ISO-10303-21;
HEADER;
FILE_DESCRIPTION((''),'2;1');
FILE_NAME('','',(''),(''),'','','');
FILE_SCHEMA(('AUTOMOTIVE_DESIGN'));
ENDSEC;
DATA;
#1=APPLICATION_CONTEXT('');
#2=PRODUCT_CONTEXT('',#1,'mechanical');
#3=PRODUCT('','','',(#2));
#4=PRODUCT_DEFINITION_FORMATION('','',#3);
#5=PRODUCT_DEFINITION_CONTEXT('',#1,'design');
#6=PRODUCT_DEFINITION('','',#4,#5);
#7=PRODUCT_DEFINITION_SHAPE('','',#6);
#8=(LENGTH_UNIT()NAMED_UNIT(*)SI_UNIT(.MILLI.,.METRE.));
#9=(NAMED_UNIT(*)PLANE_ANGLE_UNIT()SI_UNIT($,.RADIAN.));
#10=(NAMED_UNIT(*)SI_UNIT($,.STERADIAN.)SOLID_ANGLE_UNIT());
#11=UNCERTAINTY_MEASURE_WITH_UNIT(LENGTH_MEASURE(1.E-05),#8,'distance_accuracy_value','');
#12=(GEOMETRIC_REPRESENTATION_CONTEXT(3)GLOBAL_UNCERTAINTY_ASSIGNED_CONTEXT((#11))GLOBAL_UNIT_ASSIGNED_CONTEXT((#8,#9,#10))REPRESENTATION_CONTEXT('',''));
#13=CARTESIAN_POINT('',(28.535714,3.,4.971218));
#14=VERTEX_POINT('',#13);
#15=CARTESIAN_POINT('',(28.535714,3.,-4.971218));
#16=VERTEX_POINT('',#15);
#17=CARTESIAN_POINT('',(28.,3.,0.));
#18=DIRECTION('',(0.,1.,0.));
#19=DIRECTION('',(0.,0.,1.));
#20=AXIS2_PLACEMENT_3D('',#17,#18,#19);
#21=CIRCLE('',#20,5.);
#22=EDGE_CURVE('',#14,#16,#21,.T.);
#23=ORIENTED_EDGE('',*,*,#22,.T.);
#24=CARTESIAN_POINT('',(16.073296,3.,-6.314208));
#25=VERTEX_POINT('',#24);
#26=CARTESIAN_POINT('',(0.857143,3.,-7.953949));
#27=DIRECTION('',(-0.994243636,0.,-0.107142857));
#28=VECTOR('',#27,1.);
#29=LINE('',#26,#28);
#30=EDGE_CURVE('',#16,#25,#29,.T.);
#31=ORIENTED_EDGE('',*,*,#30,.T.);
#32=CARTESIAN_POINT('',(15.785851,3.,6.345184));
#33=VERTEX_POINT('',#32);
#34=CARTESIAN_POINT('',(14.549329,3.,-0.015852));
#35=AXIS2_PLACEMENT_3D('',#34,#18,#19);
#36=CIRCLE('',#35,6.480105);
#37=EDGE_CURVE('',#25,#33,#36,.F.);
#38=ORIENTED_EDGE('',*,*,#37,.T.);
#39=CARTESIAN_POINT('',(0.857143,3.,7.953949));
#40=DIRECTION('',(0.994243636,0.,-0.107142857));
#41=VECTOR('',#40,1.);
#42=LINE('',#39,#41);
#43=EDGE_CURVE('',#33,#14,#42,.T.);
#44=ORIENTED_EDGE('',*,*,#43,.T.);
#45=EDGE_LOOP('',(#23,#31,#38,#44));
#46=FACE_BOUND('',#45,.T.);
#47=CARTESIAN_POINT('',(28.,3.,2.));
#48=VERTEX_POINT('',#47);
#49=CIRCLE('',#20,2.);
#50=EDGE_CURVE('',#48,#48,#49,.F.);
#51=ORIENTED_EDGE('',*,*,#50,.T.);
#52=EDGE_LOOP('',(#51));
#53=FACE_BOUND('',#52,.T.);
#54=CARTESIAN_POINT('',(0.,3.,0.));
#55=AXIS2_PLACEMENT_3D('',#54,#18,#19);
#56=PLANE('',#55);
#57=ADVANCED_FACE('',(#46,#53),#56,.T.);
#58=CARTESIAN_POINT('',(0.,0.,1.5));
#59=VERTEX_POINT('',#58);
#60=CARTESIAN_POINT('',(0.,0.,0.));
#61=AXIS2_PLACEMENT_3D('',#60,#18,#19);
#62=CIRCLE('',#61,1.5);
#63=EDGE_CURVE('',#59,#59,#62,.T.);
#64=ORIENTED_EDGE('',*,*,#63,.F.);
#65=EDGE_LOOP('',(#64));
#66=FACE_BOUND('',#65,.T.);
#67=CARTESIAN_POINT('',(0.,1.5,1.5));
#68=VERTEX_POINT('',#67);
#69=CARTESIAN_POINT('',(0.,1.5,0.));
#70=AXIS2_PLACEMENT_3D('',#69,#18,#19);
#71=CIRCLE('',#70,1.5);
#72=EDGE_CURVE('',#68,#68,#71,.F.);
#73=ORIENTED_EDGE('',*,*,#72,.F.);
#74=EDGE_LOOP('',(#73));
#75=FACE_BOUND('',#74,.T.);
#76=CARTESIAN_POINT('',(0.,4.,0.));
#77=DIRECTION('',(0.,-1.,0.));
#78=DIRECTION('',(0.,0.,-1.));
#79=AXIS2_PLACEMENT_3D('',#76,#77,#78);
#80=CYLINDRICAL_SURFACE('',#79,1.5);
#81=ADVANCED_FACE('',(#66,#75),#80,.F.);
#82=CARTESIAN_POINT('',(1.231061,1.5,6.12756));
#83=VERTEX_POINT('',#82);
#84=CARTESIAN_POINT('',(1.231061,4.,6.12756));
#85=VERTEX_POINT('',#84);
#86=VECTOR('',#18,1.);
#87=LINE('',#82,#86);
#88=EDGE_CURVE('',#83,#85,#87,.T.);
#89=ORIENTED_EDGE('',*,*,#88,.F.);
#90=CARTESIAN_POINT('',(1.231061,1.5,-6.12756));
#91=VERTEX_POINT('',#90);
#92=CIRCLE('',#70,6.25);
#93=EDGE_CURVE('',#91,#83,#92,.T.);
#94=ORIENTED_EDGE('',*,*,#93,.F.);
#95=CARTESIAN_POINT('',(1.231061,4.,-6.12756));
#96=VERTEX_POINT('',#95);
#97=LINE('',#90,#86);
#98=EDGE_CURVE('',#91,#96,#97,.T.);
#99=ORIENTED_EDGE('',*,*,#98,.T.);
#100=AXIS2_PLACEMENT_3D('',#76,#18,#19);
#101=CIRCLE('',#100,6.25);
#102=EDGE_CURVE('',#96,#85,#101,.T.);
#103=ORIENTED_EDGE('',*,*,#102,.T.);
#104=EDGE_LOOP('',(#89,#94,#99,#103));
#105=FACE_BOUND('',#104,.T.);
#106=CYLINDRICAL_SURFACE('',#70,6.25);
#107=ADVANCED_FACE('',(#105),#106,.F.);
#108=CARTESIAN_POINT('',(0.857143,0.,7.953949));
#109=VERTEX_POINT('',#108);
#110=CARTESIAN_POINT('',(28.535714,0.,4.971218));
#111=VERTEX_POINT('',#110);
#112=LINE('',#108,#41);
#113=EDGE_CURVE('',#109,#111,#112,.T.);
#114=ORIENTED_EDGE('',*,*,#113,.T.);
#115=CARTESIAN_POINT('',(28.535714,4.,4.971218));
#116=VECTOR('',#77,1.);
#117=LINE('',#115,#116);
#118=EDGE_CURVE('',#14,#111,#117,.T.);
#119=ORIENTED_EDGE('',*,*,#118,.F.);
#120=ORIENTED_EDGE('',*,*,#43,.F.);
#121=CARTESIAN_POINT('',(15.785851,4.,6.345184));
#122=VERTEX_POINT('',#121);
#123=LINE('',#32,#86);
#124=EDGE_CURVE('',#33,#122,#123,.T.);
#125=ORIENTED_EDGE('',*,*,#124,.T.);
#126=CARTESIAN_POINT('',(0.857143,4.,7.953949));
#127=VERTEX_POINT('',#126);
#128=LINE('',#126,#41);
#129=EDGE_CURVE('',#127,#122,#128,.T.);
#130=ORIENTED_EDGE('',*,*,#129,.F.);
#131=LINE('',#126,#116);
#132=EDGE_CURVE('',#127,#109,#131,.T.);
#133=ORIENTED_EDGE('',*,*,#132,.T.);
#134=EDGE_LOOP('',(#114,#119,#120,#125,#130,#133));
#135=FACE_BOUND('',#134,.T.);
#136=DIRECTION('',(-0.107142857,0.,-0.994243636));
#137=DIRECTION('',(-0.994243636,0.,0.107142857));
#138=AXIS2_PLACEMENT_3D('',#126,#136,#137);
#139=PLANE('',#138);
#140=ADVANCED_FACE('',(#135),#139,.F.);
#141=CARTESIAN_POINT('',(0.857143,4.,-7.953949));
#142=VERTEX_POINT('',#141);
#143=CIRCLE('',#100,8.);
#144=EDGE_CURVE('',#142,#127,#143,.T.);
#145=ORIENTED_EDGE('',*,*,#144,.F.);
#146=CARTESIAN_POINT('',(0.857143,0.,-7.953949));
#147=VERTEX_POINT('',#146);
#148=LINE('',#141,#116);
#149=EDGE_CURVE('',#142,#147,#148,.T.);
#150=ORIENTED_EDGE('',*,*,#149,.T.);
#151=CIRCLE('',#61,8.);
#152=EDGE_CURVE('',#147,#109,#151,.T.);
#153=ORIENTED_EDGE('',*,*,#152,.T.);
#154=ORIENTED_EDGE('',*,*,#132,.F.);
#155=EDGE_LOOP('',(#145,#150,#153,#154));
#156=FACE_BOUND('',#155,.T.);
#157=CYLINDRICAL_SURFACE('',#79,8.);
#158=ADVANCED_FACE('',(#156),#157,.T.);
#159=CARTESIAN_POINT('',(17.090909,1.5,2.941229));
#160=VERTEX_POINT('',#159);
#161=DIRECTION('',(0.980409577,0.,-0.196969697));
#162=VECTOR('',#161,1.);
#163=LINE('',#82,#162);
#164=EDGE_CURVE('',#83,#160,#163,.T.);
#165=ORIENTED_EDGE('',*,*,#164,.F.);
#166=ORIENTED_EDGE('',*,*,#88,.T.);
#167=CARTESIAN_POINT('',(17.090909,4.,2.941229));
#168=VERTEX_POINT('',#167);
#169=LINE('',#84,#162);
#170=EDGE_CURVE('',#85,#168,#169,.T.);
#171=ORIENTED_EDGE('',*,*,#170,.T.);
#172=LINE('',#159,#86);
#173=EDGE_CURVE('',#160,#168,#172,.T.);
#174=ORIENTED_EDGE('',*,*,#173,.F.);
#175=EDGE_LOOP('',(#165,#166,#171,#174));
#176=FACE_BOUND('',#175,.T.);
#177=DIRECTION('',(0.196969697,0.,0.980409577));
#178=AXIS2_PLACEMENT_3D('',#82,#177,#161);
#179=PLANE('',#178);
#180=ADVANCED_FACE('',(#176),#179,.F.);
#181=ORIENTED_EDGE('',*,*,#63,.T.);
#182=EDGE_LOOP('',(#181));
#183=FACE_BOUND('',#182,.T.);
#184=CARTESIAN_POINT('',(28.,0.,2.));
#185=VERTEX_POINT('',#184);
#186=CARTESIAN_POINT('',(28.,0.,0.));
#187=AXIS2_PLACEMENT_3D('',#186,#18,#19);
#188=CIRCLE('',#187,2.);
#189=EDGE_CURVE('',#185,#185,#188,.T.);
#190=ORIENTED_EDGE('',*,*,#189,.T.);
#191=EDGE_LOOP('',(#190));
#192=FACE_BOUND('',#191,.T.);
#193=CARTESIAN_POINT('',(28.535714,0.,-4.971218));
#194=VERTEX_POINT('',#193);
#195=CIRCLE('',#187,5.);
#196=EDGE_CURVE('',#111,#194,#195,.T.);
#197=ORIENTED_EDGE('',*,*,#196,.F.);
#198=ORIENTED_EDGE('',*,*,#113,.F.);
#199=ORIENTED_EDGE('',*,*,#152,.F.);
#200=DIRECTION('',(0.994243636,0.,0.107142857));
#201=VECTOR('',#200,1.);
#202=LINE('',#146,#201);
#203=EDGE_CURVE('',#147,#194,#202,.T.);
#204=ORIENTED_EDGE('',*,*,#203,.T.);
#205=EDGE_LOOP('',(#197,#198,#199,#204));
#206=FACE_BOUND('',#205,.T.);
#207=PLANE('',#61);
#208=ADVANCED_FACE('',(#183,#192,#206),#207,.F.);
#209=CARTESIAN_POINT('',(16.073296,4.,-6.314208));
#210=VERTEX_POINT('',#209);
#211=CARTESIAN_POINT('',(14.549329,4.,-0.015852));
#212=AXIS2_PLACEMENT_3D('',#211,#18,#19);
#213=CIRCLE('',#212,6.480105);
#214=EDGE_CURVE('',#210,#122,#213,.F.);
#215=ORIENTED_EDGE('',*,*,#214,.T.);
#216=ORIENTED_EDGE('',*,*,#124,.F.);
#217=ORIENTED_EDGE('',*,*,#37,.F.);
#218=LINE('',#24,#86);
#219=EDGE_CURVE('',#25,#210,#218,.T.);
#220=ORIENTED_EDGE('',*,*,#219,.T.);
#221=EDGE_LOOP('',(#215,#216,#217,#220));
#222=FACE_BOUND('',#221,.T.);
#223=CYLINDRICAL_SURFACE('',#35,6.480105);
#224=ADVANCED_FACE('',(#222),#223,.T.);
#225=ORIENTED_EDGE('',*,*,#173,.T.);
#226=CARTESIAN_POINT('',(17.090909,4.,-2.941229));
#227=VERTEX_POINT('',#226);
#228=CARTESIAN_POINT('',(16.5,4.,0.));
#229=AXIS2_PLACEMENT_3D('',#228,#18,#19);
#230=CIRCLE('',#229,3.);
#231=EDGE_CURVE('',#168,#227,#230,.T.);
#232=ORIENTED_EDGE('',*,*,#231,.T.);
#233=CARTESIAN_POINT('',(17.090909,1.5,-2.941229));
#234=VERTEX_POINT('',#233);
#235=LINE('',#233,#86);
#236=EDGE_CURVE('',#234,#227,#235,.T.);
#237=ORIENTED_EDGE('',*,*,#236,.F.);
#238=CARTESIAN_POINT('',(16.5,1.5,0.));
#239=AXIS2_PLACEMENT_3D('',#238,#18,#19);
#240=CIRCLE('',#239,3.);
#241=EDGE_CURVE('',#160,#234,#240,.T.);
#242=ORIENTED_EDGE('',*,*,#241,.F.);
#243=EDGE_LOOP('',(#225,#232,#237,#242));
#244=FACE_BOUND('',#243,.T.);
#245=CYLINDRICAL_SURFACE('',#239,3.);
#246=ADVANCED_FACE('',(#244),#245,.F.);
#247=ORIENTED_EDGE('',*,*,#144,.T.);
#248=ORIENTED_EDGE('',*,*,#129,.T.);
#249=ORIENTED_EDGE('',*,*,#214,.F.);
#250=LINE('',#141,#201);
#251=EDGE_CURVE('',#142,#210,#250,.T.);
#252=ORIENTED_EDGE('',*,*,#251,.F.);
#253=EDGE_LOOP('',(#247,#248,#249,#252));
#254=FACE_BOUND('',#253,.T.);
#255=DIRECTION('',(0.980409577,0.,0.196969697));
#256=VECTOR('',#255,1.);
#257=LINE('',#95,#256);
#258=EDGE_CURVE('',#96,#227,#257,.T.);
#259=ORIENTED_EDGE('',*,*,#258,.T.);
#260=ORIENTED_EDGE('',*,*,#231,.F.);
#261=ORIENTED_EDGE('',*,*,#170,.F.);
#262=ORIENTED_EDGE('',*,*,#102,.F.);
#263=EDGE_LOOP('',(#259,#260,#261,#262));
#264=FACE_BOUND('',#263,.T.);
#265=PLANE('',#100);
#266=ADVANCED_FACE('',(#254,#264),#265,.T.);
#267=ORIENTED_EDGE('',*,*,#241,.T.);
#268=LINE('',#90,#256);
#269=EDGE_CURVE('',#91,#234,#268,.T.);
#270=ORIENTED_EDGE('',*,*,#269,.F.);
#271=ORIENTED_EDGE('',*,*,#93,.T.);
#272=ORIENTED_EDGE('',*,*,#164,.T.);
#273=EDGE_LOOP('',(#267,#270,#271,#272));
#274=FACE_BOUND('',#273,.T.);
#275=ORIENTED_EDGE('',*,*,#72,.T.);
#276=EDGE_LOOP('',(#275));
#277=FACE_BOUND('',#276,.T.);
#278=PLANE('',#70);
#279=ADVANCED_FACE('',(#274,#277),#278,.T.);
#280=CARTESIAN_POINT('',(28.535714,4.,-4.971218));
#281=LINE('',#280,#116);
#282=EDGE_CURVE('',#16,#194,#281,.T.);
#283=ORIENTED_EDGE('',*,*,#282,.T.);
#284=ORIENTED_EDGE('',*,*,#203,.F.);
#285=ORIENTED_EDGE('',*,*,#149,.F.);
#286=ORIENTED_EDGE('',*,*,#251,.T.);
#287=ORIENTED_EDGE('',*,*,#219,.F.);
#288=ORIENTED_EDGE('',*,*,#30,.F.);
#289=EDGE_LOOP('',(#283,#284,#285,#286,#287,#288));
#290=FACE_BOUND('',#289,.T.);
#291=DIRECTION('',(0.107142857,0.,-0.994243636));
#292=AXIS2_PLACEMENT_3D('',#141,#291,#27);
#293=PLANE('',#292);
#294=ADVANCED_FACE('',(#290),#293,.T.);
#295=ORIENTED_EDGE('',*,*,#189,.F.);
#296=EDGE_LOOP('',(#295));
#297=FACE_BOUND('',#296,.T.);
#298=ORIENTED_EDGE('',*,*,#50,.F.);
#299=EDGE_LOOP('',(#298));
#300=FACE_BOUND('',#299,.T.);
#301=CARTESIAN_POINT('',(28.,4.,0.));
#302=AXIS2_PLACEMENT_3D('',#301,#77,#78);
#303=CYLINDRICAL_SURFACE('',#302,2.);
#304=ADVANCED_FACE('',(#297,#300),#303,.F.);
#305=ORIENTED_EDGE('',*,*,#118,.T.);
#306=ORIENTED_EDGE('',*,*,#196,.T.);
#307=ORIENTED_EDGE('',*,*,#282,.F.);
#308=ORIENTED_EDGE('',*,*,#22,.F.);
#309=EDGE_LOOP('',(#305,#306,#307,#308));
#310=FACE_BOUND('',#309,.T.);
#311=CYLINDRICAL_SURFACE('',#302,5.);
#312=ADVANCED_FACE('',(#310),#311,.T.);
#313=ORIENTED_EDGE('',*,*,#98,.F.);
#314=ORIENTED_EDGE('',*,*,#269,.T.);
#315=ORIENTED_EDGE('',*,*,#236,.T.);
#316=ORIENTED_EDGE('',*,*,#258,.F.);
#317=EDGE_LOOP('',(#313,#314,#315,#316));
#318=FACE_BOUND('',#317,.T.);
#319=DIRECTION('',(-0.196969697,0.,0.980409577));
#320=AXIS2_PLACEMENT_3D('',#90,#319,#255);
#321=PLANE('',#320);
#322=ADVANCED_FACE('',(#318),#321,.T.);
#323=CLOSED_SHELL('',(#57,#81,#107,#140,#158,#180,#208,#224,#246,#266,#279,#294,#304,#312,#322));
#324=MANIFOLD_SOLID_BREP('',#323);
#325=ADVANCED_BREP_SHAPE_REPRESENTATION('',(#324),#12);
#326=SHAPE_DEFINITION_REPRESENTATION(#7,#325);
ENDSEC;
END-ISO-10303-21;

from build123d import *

# Parameters (mm, degrees)
SKETCH1_R           = 1.5
SKETCH1_R_2         = 2
BOSS_EXTRUDE1_DEPTH = 4
CUT_EXTRUDE1_DEPTH  = 2.5
CUT_EXTRUDE2_START  = -1
SKETCH3_R           = 2
CUT_EXTRUDE2_DEPTH  = 1


with BuildPart() as part:
    # Sketch1 → Boss-Extrude1 (new body)
    with BuildSketch(Plane(origin=(0, 0, 0), x_dir=(1, 0, 0), z_dir=(0, 1, 0))):
        with BuildLine():
            Line((28.535714286, 4.971218181), (0.857142857, 7.95394909))
            ThreePointArc((0.857142857, 7.95394909), (-8, 0), (0.857142857, -7.95394909))
            Line((0.857142857, -7.95394909), (28.535714286, -4.971218181))
            ThreePointArc((28.535714286, -4.971218181), (33, 0), (28.535714286, 4.971218181))
        make_face()
        with Locations(Location((0, 0, 0), (0, 0, 270))):
            Circle(SKETCH1_R, mode=Mode.SUBTRACT)
        with Locations(Location((28, 0, 0), (0, 0, 270))):
            Circle(SKETCH1_R_2, mode=Mode.SUBTRACT)
    extrude(amount=BOSS_EXTRUDE1_DEPTH)

    # Sketch2 → Cut-Extrude1 (cut)
    with BuildSketch(Plane(origin=(0, 4, 0), x_dir=(1, 0, 0), z_dir=(0, 1, 0))):
        with BuildLine():
            Line((17.090909091, 2.941228731), (1.231060606, 6.127559856))
            ThreePointArc((1.231060606, 6.127559856), (-6.25, 0), (1.231060606, -6.127559856))
            Line((1.231060606, -6.127559856), (17.090909091, -2.941228731))
            ThreePointArc((17.090909091, -2.941228731), (19.5, 0), (17.090909091, 2.941228731))
        make_face()
    extrude(amount=-CUT_EXTRUDE1_DEPTH, mode=Mode.SUBTRACT)

    # Sketch3 → Cut-Extrude2 (cut)
    with BuildSketch(Plane(origin=(0, 4, 0), x_dir=(1, 0, 0), z_dir=(0, 1, 0)).offset(CUT_EXTRUDE2_START)):
        with BuildLine():
            Line((28.535714286, 4.971218181), (16.073296283, 6.314207991))
            ThreePointArc((16.073296283, 6.314207991), (21.027764344, -0.131247863), (15.785851253, -6.345183982))
            Line((15.785851253, -6.345183982), (28.535714286, -4.971218181))
            ThreePointArc((28.535714286, -4.971218181), (33, 0), (28.535714286, 4.971218181))
        make_face()
        with Locations(Location((28, 0, 0), (0, 0, 270))):
            Circle(SKETCH3_R, mode=Mode.SUBTRACT)
    extrude(amount=CUT_EXTRUDE2_DEPTH, mode=Mode.SUBTRACT)


solid = part.part
